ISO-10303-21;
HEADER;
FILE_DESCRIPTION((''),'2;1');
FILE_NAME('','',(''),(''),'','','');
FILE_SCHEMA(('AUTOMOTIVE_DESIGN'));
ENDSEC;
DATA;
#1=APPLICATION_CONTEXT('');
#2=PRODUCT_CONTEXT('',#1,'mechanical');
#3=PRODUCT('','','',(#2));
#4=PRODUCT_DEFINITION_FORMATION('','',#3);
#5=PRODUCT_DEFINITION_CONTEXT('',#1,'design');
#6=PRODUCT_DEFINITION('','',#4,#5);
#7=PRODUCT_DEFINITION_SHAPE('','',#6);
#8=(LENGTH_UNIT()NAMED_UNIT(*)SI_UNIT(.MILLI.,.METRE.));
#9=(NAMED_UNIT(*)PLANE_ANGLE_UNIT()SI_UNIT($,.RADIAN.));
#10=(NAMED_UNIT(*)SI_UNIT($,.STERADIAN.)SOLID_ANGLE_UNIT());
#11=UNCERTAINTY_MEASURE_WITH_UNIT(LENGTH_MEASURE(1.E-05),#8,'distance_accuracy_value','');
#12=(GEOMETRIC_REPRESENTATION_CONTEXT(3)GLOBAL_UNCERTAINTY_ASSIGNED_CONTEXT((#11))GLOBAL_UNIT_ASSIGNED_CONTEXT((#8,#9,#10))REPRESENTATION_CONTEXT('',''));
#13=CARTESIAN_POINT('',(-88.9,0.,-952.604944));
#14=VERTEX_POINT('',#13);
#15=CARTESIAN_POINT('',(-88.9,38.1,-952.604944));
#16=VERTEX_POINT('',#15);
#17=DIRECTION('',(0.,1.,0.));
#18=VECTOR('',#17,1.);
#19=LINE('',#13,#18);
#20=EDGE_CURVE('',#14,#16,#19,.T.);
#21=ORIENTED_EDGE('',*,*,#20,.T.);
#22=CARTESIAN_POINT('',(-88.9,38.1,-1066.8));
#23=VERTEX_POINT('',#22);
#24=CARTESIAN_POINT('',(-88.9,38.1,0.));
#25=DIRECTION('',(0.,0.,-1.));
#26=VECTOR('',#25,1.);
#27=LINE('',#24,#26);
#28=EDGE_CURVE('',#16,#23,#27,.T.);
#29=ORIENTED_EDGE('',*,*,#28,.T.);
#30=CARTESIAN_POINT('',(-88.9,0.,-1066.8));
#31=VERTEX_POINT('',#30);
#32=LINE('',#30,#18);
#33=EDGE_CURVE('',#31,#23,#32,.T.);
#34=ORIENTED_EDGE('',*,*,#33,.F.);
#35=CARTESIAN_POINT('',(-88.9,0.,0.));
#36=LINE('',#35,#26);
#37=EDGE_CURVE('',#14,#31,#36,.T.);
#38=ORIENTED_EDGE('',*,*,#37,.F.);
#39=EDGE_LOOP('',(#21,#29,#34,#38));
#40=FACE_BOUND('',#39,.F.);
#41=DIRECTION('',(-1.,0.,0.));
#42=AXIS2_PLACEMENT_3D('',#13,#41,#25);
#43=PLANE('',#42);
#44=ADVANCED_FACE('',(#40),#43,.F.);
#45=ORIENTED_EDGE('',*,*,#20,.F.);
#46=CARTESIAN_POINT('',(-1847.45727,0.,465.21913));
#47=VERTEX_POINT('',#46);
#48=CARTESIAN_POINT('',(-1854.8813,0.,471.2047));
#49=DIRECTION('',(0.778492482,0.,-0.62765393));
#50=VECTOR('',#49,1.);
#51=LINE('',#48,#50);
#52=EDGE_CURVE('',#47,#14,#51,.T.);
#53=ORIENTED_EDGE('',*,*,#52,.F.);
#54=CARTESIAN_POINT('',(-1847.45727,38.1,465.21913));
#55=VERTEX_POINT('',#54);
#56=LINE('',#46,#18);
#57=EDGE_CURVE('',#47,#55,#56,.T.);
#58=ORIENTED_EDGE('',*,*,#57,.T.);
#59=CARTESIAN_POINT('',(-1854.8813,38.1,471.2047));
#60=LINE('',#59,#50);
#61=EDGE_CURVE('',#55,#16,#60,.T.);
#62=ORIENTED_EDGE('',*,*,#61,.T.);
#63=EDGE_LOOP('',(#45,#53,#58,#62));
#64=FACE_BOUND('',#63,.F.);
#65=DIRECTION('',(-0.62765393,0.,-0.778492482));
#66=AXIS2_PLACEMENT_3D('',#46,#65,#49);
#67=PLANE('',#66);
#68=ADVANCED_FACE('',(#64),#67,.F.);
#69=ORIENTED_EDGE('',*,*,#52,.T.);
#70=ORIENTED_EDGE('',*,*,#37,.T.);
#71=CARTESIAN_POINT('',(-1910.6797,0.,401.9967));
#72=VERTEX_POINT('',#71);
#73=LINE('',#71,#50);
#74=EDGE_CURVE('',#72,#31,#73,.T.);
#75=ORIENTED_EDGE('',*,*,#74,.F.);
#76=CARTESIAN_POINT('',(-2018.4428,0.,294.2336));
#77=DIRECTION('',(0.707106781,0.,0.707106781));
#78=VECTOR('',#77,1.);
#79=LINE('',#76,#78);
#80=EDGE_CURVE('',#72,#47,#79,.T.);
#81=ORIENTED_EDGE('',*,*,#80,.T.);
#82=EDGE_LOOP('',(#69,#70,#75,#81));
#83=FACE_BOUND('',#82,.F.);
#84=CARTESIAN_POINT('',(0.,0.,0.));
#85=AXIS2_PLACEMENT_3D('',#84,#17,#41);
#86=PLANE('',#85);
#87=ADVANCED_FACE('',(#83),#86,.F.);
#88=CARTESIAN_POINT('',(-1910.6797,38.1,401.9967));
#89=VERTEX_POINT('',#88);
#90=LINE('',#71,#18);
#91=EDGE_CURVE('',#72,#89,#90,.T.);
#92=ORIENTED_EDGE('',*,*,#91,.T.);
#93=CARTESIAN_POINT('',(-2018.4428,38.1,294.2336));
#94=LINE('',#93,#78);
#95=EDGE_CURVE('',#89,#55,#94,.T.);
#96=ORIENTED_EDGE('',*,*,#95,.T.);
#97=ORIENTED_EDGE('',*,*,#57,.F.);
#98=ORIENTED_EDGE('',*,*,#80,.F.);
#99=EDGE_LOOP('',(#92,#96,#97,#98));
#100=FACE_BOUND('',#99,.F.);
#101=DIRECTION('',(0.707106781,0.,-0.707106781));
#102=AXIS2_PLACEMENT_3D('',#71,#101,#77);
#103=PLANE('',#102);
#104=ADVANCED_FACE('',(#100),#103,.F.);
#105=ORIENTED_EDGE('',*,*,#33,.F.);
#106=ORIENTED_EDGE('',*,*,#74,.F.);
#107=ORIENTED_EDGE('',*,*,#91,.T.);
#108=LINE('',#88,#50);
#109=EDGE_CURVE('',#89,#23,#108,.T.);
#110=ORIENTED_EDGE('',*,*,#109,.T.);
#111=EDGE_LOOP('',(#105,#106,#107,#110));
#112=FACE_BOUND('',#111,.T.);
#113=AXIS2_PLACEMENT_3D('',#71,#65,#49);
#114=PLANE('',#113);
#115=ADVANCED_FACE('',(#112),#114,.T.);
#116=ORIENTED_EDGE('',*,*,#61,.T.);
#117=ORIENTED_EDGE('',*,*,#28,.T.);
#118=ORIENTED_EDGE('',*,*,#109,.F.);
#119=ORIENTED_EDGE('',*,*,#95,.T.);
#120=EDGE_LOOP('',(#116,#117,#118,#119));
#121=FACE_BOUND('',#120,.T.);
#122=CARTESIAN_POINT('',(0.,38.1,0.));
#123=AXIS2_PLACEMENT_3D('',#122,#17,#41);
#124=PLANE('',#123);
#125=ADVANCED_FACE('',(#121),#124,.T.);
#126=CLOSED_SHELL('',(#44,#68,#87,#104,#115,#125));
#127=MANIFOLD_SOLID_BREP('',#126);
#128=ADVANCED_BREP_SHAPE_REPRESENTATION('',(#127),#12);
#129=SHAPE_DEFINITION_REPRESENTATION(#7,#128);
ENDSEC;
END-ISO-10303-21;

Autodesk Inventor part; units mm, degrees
ref_plane "YZ Plane" through (0, 0, 0) normal (1, 0, 0) x (0, 1, 0)
ref_plane "XZ Plane" through (0, 0, 0) normal (0, 1, 0) x (-1, 0, 0)
ref_plane "XY Plane" through (0, 0, 0) normal (0, 0, 1) x (1, 0, 0)
sketch "Sketch1" plane through (0, 0, 0) normal (0, 1, 0) x (-1, 0, 0)
  line L0 (0, 0) -> (0, -1219.2)
  line L1 (0, 0) -> (88.9, 0)
  line L2 (88.9, 0) -> (88.9, -1219.2)
  line L3 (88.9, -1219.2) -> (0, -1219.2)
  line L4 (0, 0) -> (0, 1219.2) construction
  line L5 (0, 1219.2) -> (1219.2, 1219.2) construction
  line L6 (0, 1219.2) -> (0, 3657.6) construction
  line L7 (0, 3657.6) -> (0, 4876.8) construction
  line L8 (0, 4876.8) -> (0, 6096) construction
  line L9 (0, -1219.2) -> (2438.4, -1219.2) construction
  line L10 (0, 6096) -> (2438.4, 6096) construction
  line L11 (2438.4, 6096) -> (2438.4, -1219.2) construction
  line L12 (0, 3657.6) -> (0, 3352.8) construction
  line L13 (0, 3352.8) -> (2438.4, 3352.8) construction
  line L14 (2438.4, 3352.8) -> (1219.2, 3352.8)
  line L15 (1219.2, 3352.8) -> (1219.2, 3263.9)
  line L16 (1219.2, 3263.9) -> (2438.4, 3263.9)
  line L17 (2438.4, 3263.9) -> (2438.4, 3352.8)
  line L18 (0, 6096) -> (862.1046, 6958.1046)
  line L19 (862.1046, 6958.1046) -> (924.9664, 6895.2428)
  line L20 (924.9664, 6895.2428) -> (62.8618, 6033.1382)
  line L21 (62.8618, 6033.1382) -> (0, 6096)
  line L22 (0, 4876.8) -> (1219.2, 4876.8) construction
  line L23 (1219.2, 4876.8) -> (2081.3046, 5738.9046)
  line L24 (1219.2, 1219.2) -> (2081.3046, 357.0954)
  line L25 (2081.3046, 357.0954) -> (2018.4428, 294.2336)
  line L26 (2018.4428, 294.2336) -> (1156.3382, 1156.3382)
  line L27 (1156.3382, 1156.3382) -> (1219.2, 1219.2)
  line L28 (2018.4428, 294.2336) -> (88.9, -1219.2)
  line L29 (2081.3046, 357.0954) -> (2144.1664, 419.9572)
  line L30 (2144.1664, 419.9572) -> (1282.0618, 1282.0618)
  line L31 (1282.0618, 1282.0618) -> (1219.2, 1219.2)
  line L32 (2438.4, 3352.8) -> (2438.4, 3441.7)
  line L33 (2438.4, 3441.7) -> (1219.2, 3441.7)
  line L34 (1219.2, 3441.7) -> (1219.2, 3352.8)
  line L35 (1156.3382, 4939.6618) -> (1282.0618, 4813.9382)
  line L36 (2018.4428, 5801.7664) -> (2144.1664, 5676.0428)
  line L37 (1282.0618, 4813.9382) -> (2144.1664, 5676.0428)
  line L38 (2018.4428, 5801.7664) -> (1156.3382, 4939.6618)
  line L39 (2018.4428, 5801.7664) -> (924.9664, 6895.2428)
  line L40 (62.8618, 6033.1382) -> (1156.3382, 4939.6618)
  line L41 (1233.6206, 4168.8855) -> (1267.6412, 4086.7527)
  line L42 (1263.7078, 2313.9849) -> (1230.0006, 2231.7229)
  arc A0 (862.1046, 6958.1046) -> (0, 6096) centre (431.0523, 6527.0523) ccw
  line L43 (1246.8542, 2272.8539) -> (2375.0183, 1810.583)
  line L44 (2391.8719, 1851.7139) -> (2358.1646, 1769.452)
  line L45 (2391.8719, 1851.7139) -> (1263.7078, 2313.9849)
  line L46 (1230.0006, 2231.7229) -> (2358.1646, 1769.452)
  line L47 (1230.0006, 2231.7229) -> (1219.2, 3263.9)
  line L48 (2144.1664, 419.9572) -> (2391.8719, 1851.7139)
  line L49 (2391.8719, 1851.7139) -> (2438.4, 3263.9)
  line L50 (1219.2, 3441.7) -> (1233.6206, 4168.8855)
  line L51 (1250.6309, 4127.8191) -> (2377.0248, 4594.3867)
  line L52 (2360.0145, 4635.4532) -> (2394.0351, 4553.3203)
  line L53 (2394.0351, 4553.3203) -> (1267.6412, 4086.7527)
  line L54 (2360.0145, 4635.4532) -> (1233.6206, 4168.8855)
  line L55 (2394.0351, 4553.3203) -> (2144.1664, 5676.0428)
  line L56 (2438.4, 3441.7) -> (2394.0351, 4553.3203)
  line L57 (2144.1664, 5676.0428) -> (2057.3895, 5656.7301)
  line L58 (2394.0351, 4553.3203) -> (2305.2058, 4549.7751)
  line L59 (2394.0351, 4553.3203) -> (2307.2582, 4534.0076)
  line L60 (2307.2582, 4534.0076) -> (2057.3895, 5656.7301)
  line L61 (2438.4, 3441.7) -> (2349.5707, 3438.1548)
  line L62 (2349.5707, 3438.1548) -> (2305.2058, 4549.7751)
  line L63 (1219.2, 3441.7) -> (1308.0825, 3439.9374)
  line L64 (1233.6206, 4168.8855) -> (1322.5031, 4167.1229)
  line L65 (1322.5031, 4167.1229) -> (1308.0825, 3439.9374)
  line L66 (2018.4428, 5801.7664) -> (1955.581, 5738.9046)
  line L67 (1955.581, 5738.9046) -> (862.1046, 6832.381)
  line L68 (924.9664, 6895.2428) -> (862.1046, 6832.381)
  line L69 (62.8618, 6033.1382) -> (125.7236, 6096)
  line L70 (62.8618, 6033.1382) -> (125.7236, 6096)
  line L71 (125.7236, 6096) -> (1219.2, 5002.5236)
  line L72 (1156.3382, 1156.3382) -> (0, 0)
  line L73 (0, 0) -> (62.8618, -62.8618)
  line L74 (1156.3382, 1156.3382) -> (1219.2, 1093.4764)
  line L75 (1219.2, 1093.4764) -> (62.8618, -62.8618)
  line L76 (2018.4428, 294.2336) -> (1963.5776, 364.1837)
  line L77 (88.9, -1219.2) -> (34.0348, -1149.2499)
  line L78 (34.0348, -1149.2499) -> (1963.5776, 364.1837)
  line L79 (2144.1664, 419.9572) -> (2056.5677, 435.1125)
  line L80 (2391.8719, 1851.7139) -> (2304.2732, 1866.8692)
  line L81 (2391.8719, 1851.7139) -> (2303.0201, 1854.6414)
  line L82 (2304.2732, 1866.8692) -> (2056.5677, 435.1125)
  line L83 (1230.0006, 2231.7229) -> (1318.8957, 2232.6531)
  line L84 (1219.2, 3263.9) -> (1308.0951, 3264.8302)
  line L85 (1308.0951, 3264.8302) -> (1318.8957, 2232.6531)
  line L86 (2438.4, 3263.9) -> (2349.5482, 3266.8275)
  line L87 (2349.5482, 3266.8275) -> (2303.0201, 1854.6414)
  line L88 (88.9, 0) -> (125.7236, 0)
  line L89 (1233.6206, 4168.8855) -> (1219.2, 4876.8)
  line L90 (1233.6206, 4168.8855) -> (1322.5022, 4170.6961)
  line L91 (1219.2, 4876.8) -> (1308.0816, 4878.6106)
  line L92 (1308.0816, 4878.6106) -> (1322.5022, 4170.6961)
  line L93 (1282.0618, 4813.9382) -> (1309.9674, 4786.0326)
  line L94 (1267.6412, 4086.7527) -> (1318.4756, 3964.0275)
  line L95 (2360.0145, 4635.4532) -> (2374.4273, 4641.4231)
  line L96 (1230.0006, 2231.7229) -> (1219.2, 1219.2)
  line L97 (1230.0006, 2231.7229) -> (1318.8955, 2230.7747)
  line L98 (1219.2, 1219.2) -> (1308.0949, 1218.2518)
  line L99 (1308.0949, 1218.2518) -> (1318.8955, 2230.7747)
  line L100 (1282.0618, 1282.0618) -> (1309.0636, 1309.0636)
  line L101 (1263.7078, 2313.9849) -> (1316.7428, 2438.4)
  line L102 (2358.1646, 1769.452) -> (2376.5379, 1763.082)
  line L103 (2286, 3352.8) -> (1371.6, 3352.8)
  line L104 (2286, 3441.7) -> (2286, 3263.9)
  line L105 (1371.6, 3441.7) -> (1371.6, 3263.9)
  line L106 (0, -152.4) -> (0, -1066.8)
  line L107 (0, -152.4) -> (88.9, -152.4)
  line L108 (0, -1066.8) -> (88.9, -1066.8)
  line L109 (1326.9631, 1111.4369) -> (1973.5415, 464.8585)
  line L110 (2036.4033, 527.7203) -> (1910.6797, 401.9967)
  line L111 (1389.8249, 1174.2987) -> (1264.1013, 1048.5751)
  line L112 (2233.9978, 1868.3668) -> (1387.8747, 2215.07)
  line L113 (1404.7283, 2256.201) -> (1371.0211, 2173.939)
  line L114 (2250.8514, 1909.4978) -> (2217.1441, 1827.2358)
  line L115 (1371.0211, 2173.939) -> (1389.8249, 1174.2987)
  line L116 (1264.1013, 1048.5751) -> (88.9, -152.4)
  line L117 (2217.1441, 1827.2358) -> (2036.4033, 527.7203)
  line L118 (1910.6797, 401.9967) -> (88.9, -1066.8)
  line L119 (88.9, -1066.8) -> (33.1016, -997.592)
  line L120 (1910.6797, 401.9967) -> (1854.8813, 471.2047)
  line L121 (1854.8813, 471.2047) -> (33.1016, -997.592)
  line L122 (88.9, -152.4) -> (0, -243.2497)
  line L123 (0, -243.2497) -> (63.5399, -305.426)
  line L124 (1263.7078, 1048.9686) -> (1327.2477, 986.7923)
  line L125 (1327.2477, 986.7923) -> (63.1422, -305.0368)
  line L126 (1389.8249, 1174.2987) -> (1392.2351, 1046.1649)
  line L127 (1392.2351, 1046.1649) -> (1481.1194, 1047.8368)
  line L128 (1371.0211, 2173.939) -> (1459.9053, 2175.611)
  line L129 (1459.9053, 2175.611) -> (1481.1194, 1047.8368)
  line L130 (2036.4033, 527.7203) -> (1948.3509, 539.9669)
  line L131 (2217.1441, 1827.2358) -> (2223.465, 1872.6827)
  line L132 (2223.465, 1872.6827) -> (2135.4126, 1884.9293)
  line L133 (2135.4126, 1884.9293) -> (1948.3509, 539.9669)
  point P0 (1955.1236, 357.5528)
  point P1 (88.9, -1106.2164)
  point P2 (2292.1025, 1796.5213)
  point P3 (2067.2525, 496.8711)
  point P4 (1318.5187, 2195.4522)
  point P5 (1308.1049, 3263.9)
  point P6 (2349.4518, 3263.9)
  point P7 (2304.1085, 1887.6754)
  point P8 (2306.5112, 4517.0667)
  point P9 (2349.4292, 3441.7)
  point P10 (1308.1175, 3441.7)
  point P11 (2069.6708, 5601.5472)
  point P12 (2291.0394, 4606.8827)
  point P13 (1321.7951, 4205.4086)
  point P14 (1828.8, 3352.8)
  point P15 (0, -609.6)
  point P16 (1650.2523, 788.1477)
  point P17 (1810.9362, 2041.7184)
  point P18 (1847.4573, 465.2191)
  point P19 (88.9, -952.6049)
  dimension "d0" = 1219.2
  dimension "d2" = 1219.2
  dimension "d3" = 1219.2
  dimension "d16" = 2438.4
  dimension "d17" = 1219.2
  dimension "d18" = 1219.2
  dimension "d20" = 2438.4
  dimension "d21" = 304.8
  dimension "d22" = 1219.2
  dimension "d23" = 88.9
  dimension "d24" = 1219.2
  dimension "d25" = 45
  dimension "d26" = 88.9
  dimension "d27" = 1219.2
  dimension "d28" = 1219.2
  dimension "d29" = 1219.2
  dimension "d31" = 1219.2
  dimension "d32" = 88.9
  dimension "d33" = 88.9
  dimension "d34" = 88.9
  dimension "d35" = 177.8
  dimension "d36" = 177.8
  dimension "d38" = 88.9
  dimension "d39" = 88.9
  dimension "d43" = 1219.2
  dimension "d44" = 88.9
  dimension "d45" = 1219.2
  dimension "d46" = 88.9
  dimension "d47" = 88.9
  dimension "d48" = 88.9
  dimension "d49" = 88.9
  dimension "d50" = 88.9
  dimension "d51" = 88.9
  dimension "d54" = 88.9
  dimension "d55" = 88.9
  dimension "d57" = 88.9
  dimension "d58" = 88.9
  dimension "d59" = 88.9
  dimension "d60" = 88.9
  dimension "d61" = 88.9
  dimension "d64" = 88.9
  dimension "d65" = 88.9
  dimension "d66" = 88.9
  dimension "d69" = 88.9
  dimension "d70" = 88.9
  dimension "d71" = 88.9
  dimension "d72" = 88.9
  dimension "d73" = 914.4
  dimension "d74" = 914.4
  dimension "d75" = 914.4
  dimension "d76" = 914.4
  dimension "d77" = 88.9
  dimension "d78" = 88.9
  dimension "d79" = 88.9
  dimension "d80" = 88.9
  dimension "d83" = 88.9
  dimension "d84" = 88.9
  dimension "d85" = 88.9
  dimension "d86" = 88.9
extrude "Extrusion2" add sketch "Sketch1" along normal blind 38.1 contours L2 L121 L26 L118
properties part number "S_2x4x92.131"
